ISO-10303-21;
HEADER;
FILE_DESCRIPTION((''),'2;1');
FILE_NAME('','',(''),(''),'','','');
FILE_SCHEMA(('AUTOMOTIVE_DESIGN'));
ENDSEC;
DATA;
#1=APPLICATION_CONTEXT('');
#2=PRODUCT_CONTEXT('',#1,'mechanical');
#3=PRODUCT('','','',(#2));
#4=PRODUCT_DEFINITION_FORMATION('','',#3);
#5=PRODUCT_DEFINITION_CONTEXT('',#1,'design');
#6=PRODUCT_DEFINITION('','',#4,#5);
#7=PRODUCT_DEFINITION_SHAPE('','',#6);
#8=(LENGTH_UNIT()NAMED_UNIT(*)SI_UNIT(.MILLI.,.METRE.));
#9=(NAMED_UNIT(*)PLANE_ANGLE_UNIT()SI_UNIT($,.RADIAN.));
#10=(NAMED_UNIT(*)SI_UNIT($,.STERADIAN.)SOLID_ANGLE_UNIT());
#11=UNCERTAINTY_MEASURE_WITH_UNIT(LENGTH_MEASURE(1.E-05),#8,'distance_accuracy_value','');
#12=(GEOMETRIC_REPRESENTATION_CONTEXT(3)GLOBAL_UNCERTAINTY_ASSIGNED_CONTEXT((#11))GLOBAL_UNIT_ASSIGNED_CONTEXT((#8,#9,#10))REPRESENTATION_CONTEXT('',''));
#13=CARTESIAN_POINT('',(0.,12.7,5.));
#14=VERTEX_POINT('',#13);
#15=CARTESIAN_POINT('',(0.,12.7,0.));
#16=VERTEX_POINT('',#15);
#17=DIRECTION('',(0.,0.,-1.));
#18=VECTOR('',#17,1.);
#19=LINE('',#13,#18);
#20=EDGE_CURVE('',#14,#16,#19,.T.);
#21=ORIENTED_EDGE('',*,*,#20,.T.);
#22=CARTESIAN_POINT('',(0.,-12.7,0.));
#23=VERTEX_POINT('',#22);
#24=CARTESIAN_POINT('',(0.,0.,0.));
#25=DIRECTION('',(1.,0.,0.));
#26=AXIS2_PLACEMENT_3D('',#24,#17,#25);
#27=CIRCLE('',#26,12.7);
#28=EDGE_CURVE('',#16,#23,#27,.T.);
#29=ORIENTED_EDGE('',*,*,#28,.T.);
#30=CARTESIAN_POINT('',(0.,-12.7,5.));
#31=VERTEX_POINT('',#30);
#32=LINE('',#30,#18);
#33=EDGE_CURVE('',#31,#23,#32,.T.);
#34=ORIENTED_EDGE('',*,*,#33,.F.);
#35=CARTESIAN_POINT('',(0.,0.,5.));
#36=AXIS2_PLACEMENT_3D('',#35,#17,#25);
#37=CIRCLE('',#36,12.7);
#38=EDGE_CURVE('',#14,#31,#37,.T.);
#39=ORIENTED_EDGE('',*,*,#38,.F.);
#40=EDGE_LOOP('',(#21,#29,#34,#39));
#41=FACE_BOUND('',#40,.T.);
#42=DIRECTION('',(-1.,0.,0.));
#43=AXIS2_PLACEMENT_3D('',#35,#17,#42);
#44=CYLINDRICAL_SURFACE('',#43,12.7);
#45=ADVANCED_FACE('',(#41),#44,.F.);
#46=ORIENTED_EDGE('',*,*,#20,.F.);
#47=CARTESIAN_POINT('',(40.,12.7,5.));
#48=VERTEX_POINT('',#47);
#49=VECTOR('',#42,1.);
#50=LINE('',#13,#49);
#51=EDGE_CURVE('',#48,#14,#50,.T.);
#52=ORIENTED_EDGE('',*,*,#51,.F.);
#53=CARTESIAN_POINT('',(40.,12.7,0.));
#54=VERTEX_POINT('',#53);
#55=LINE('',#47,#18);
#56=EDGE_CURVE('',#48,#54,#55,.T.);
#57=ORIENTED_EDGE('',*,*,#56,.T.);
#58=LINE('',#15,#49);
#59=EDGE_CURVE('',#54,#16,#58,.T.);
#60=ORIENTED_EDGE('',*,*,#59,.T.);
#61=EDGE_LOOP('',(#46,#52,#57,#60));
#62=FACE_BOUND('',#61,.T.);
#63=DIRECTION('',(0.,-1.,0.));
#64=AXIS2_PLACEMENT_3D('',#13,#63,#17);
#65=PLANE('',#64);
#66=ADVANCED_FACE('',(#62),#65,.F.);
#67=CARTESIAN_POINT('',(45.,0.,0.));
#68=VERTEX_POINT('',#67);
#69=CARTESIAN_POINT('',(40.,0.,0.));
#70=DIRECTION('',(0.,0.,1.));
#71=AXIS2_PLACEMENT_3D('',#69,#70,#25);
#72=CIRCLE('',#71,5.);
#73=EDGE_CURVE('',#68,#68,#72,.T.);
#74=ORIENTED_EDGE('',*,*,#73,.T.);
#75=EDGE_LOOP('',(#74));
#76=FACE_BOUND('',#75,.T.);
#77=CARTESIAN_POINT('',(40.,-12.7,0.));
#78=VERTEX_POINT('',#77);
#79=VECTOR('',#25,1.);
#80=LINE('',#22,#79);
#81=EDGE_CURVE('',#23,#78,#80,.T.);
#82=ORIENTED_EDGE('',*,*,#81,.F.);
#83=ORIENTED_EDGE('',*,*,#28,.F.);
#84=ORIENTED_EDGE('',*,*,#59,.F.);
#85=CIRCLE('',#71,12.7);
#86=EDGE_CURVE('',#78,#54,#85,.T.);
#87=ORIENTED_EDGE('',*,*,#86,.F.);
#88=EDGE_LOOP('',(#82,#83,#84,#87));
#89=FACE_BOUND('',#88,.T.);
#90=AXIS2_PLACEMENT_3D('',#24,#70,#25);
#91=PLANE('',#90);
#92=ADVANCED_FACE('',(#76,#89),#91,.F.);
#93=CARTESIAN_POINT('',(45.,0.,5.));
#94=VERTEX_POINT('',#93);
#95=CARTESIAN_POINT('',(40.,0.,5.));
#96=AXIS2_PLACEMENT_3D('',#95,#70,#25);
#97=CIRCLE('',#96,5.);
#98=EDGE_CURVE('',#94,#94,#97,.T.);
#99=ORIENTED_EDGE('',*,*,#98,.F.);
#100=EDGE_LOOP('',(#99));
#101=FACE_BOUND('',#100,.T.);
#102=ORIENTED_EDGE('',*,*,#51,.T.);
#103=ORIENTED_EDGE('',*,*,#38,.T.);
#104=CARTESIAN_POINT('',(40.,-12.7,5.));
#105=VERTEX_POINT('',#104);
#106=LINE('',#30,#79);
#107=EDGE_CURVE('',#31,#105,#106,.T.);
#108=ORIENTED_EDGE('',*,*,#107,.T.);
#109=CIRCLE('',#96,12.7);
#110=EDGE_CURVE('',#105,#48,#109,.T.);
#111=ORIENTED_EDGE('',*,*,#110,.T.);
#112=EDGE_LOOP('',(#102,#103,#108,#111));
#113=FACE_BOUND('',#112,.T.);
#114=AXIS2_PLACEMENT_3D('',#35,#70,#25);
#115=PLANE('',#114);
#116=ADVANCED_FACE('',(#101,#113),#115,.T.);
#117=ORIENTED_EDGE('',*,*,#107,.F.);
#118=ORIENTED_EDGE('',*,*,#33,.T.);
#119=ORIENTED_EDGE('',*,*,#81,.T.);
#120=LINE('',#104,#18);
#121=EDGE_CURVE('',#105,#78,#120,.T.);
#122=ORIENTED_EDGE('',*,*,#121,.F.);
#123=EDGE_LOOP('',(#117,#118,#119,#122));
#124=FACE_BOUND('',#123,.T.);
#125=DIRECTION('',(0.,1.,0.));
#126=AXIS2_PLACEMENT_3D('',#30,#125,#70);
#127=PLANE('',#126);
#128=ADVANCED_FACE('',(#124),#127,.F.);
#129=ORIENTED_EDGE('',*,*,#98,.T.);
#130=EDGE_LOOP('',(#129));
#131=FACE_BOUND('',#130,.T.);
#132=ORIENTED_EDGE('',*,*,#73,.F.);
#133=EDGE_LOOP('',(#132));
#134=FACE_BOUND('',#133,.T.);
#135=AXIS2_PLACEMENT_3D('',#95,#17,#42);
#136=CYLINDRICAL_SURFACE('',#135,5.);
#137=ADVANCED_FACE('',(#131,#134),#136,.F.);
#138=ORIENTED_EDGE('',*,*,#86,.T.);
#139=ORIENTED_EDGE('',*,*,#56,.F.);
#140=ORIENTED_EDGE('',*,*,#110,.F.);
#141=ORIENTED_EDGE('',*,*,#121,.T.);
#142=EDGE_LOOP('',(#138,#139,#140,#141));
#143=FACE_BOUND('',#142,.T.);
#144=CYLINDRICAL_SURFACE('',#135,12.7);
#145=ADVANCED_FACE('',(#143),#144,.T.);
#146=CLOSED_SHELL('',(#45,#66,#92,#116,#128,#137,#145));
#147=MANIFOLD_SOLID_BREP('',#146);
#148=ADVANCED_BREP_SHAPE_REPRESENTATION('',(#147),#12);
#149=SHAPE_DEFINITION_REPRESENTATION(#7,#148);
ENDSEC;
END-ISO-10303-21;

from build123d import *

# Parameters (mm, degrees)
SKETCH2_R           = 5
BOSS_EXTRUDE2_DEPTH = 5


with BuildPart() as part:
    # Sketch2 → Boss-Extrude2 (new body)
    with BuildSketch(Plane.XY):
        with BuildLine():
            Line((0, 12.7), (40, 12.7))
            ThreePointArc((40, 12.7), (52.7, 0), (40, -12.7))
            Line((40, -12.7), (0, -12.7))
            ThreePointArc((0, -12.7), (12.7, 0), (0, 12.7))
        make_face()
        with Locations((40, 0)):
            Circle(SKETCH2_R, mode=Mode.SUBTRACT)
    extrude(amount=BOSS_EXTRUDE2_DEPTH)


solid = part.part
